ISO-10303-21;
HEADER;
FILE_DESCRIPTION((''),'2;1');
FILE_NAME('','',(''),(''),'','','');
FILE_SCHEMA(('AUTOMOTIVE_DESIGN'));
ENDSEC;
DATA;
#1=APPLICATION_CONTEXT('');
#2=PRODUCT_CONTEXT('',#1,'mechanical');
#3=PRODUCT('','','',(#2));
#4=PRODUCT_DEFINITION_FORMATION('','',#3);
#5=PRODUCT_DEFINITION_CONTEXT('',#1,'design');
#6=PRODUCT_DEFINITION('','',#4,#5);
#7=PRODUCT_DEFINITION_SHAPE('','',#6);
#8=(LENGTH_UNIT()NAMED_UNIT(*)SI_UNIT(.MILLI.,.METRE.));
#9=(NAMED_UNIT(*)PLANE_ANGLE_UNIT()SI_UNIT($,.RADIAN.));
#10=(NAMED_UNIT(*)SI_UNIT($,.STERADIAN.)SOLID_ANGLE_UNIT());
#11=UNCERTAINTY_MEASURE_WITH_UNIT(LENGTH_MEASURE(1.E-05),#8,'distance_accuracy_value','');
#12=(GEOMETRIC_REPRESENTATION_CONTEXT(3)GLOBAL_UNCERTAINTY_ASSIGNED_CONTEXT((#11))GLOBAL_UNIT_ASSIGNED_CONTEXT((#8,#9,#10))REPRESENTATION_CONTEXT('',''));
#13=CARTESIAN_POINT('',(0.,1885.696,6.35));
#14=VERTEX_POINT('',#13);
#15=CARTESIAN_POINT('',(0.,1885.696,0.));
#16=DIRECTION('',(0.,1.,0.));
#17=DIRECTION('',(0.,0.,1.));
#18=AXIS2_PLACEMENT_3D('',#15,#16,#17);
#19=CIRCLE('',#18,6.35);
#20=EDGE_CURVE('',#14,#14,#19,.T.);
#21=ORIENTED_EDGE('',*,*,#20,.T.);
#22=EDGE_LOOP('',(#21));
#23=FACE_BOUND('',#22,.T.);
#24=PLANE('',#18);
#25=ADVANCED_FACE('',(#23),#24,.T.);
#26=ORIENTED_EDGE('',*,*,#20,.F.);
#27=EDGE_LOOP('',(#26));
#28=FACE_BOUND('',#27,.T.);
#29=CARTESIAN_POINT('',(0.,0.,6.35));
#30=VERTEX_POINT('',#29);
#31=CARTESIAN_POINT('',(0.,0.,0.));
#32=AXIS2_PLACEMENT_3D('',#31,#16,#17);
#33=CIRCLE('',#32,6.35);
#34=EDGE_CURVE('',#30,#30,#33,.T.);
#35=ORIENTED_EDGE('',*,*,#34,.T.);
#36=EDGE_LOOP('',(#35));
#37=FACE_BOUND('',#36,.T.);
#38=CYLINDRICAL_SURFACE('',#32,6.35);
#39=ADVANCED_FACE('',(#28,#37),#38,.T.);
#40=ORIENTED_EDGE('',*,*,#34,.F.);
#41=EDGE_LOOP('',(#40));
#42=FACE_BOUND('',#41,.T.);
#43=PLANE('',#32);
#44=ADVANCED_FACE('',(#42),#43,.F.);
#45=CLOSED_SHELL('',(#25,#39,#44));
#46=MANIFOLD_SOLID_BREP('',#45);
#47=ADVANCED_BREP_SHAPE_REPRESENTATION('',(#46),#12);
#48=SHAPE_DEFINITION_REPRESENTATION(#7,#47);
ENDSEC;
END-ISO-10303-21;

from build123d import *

# Parameters (mm, degrees)
SWEEP1_PROFILE_R = 6.35


with BuildPart() as part:
    # Sweep1: sweep along a path in Sketch1
    with BuildLine(Plane.XY) as sweep1_path:
        Line((0, 0), (0, 1885.696))
    # Sweep1 profile (on start of the path) → Sweep1 (sweep)
    with BuildSketch(Plane.ZX):
        Circle(SWEEP1_PROFILE_R)
    sweep(path=sweep1_path.line)


solid = part.part
